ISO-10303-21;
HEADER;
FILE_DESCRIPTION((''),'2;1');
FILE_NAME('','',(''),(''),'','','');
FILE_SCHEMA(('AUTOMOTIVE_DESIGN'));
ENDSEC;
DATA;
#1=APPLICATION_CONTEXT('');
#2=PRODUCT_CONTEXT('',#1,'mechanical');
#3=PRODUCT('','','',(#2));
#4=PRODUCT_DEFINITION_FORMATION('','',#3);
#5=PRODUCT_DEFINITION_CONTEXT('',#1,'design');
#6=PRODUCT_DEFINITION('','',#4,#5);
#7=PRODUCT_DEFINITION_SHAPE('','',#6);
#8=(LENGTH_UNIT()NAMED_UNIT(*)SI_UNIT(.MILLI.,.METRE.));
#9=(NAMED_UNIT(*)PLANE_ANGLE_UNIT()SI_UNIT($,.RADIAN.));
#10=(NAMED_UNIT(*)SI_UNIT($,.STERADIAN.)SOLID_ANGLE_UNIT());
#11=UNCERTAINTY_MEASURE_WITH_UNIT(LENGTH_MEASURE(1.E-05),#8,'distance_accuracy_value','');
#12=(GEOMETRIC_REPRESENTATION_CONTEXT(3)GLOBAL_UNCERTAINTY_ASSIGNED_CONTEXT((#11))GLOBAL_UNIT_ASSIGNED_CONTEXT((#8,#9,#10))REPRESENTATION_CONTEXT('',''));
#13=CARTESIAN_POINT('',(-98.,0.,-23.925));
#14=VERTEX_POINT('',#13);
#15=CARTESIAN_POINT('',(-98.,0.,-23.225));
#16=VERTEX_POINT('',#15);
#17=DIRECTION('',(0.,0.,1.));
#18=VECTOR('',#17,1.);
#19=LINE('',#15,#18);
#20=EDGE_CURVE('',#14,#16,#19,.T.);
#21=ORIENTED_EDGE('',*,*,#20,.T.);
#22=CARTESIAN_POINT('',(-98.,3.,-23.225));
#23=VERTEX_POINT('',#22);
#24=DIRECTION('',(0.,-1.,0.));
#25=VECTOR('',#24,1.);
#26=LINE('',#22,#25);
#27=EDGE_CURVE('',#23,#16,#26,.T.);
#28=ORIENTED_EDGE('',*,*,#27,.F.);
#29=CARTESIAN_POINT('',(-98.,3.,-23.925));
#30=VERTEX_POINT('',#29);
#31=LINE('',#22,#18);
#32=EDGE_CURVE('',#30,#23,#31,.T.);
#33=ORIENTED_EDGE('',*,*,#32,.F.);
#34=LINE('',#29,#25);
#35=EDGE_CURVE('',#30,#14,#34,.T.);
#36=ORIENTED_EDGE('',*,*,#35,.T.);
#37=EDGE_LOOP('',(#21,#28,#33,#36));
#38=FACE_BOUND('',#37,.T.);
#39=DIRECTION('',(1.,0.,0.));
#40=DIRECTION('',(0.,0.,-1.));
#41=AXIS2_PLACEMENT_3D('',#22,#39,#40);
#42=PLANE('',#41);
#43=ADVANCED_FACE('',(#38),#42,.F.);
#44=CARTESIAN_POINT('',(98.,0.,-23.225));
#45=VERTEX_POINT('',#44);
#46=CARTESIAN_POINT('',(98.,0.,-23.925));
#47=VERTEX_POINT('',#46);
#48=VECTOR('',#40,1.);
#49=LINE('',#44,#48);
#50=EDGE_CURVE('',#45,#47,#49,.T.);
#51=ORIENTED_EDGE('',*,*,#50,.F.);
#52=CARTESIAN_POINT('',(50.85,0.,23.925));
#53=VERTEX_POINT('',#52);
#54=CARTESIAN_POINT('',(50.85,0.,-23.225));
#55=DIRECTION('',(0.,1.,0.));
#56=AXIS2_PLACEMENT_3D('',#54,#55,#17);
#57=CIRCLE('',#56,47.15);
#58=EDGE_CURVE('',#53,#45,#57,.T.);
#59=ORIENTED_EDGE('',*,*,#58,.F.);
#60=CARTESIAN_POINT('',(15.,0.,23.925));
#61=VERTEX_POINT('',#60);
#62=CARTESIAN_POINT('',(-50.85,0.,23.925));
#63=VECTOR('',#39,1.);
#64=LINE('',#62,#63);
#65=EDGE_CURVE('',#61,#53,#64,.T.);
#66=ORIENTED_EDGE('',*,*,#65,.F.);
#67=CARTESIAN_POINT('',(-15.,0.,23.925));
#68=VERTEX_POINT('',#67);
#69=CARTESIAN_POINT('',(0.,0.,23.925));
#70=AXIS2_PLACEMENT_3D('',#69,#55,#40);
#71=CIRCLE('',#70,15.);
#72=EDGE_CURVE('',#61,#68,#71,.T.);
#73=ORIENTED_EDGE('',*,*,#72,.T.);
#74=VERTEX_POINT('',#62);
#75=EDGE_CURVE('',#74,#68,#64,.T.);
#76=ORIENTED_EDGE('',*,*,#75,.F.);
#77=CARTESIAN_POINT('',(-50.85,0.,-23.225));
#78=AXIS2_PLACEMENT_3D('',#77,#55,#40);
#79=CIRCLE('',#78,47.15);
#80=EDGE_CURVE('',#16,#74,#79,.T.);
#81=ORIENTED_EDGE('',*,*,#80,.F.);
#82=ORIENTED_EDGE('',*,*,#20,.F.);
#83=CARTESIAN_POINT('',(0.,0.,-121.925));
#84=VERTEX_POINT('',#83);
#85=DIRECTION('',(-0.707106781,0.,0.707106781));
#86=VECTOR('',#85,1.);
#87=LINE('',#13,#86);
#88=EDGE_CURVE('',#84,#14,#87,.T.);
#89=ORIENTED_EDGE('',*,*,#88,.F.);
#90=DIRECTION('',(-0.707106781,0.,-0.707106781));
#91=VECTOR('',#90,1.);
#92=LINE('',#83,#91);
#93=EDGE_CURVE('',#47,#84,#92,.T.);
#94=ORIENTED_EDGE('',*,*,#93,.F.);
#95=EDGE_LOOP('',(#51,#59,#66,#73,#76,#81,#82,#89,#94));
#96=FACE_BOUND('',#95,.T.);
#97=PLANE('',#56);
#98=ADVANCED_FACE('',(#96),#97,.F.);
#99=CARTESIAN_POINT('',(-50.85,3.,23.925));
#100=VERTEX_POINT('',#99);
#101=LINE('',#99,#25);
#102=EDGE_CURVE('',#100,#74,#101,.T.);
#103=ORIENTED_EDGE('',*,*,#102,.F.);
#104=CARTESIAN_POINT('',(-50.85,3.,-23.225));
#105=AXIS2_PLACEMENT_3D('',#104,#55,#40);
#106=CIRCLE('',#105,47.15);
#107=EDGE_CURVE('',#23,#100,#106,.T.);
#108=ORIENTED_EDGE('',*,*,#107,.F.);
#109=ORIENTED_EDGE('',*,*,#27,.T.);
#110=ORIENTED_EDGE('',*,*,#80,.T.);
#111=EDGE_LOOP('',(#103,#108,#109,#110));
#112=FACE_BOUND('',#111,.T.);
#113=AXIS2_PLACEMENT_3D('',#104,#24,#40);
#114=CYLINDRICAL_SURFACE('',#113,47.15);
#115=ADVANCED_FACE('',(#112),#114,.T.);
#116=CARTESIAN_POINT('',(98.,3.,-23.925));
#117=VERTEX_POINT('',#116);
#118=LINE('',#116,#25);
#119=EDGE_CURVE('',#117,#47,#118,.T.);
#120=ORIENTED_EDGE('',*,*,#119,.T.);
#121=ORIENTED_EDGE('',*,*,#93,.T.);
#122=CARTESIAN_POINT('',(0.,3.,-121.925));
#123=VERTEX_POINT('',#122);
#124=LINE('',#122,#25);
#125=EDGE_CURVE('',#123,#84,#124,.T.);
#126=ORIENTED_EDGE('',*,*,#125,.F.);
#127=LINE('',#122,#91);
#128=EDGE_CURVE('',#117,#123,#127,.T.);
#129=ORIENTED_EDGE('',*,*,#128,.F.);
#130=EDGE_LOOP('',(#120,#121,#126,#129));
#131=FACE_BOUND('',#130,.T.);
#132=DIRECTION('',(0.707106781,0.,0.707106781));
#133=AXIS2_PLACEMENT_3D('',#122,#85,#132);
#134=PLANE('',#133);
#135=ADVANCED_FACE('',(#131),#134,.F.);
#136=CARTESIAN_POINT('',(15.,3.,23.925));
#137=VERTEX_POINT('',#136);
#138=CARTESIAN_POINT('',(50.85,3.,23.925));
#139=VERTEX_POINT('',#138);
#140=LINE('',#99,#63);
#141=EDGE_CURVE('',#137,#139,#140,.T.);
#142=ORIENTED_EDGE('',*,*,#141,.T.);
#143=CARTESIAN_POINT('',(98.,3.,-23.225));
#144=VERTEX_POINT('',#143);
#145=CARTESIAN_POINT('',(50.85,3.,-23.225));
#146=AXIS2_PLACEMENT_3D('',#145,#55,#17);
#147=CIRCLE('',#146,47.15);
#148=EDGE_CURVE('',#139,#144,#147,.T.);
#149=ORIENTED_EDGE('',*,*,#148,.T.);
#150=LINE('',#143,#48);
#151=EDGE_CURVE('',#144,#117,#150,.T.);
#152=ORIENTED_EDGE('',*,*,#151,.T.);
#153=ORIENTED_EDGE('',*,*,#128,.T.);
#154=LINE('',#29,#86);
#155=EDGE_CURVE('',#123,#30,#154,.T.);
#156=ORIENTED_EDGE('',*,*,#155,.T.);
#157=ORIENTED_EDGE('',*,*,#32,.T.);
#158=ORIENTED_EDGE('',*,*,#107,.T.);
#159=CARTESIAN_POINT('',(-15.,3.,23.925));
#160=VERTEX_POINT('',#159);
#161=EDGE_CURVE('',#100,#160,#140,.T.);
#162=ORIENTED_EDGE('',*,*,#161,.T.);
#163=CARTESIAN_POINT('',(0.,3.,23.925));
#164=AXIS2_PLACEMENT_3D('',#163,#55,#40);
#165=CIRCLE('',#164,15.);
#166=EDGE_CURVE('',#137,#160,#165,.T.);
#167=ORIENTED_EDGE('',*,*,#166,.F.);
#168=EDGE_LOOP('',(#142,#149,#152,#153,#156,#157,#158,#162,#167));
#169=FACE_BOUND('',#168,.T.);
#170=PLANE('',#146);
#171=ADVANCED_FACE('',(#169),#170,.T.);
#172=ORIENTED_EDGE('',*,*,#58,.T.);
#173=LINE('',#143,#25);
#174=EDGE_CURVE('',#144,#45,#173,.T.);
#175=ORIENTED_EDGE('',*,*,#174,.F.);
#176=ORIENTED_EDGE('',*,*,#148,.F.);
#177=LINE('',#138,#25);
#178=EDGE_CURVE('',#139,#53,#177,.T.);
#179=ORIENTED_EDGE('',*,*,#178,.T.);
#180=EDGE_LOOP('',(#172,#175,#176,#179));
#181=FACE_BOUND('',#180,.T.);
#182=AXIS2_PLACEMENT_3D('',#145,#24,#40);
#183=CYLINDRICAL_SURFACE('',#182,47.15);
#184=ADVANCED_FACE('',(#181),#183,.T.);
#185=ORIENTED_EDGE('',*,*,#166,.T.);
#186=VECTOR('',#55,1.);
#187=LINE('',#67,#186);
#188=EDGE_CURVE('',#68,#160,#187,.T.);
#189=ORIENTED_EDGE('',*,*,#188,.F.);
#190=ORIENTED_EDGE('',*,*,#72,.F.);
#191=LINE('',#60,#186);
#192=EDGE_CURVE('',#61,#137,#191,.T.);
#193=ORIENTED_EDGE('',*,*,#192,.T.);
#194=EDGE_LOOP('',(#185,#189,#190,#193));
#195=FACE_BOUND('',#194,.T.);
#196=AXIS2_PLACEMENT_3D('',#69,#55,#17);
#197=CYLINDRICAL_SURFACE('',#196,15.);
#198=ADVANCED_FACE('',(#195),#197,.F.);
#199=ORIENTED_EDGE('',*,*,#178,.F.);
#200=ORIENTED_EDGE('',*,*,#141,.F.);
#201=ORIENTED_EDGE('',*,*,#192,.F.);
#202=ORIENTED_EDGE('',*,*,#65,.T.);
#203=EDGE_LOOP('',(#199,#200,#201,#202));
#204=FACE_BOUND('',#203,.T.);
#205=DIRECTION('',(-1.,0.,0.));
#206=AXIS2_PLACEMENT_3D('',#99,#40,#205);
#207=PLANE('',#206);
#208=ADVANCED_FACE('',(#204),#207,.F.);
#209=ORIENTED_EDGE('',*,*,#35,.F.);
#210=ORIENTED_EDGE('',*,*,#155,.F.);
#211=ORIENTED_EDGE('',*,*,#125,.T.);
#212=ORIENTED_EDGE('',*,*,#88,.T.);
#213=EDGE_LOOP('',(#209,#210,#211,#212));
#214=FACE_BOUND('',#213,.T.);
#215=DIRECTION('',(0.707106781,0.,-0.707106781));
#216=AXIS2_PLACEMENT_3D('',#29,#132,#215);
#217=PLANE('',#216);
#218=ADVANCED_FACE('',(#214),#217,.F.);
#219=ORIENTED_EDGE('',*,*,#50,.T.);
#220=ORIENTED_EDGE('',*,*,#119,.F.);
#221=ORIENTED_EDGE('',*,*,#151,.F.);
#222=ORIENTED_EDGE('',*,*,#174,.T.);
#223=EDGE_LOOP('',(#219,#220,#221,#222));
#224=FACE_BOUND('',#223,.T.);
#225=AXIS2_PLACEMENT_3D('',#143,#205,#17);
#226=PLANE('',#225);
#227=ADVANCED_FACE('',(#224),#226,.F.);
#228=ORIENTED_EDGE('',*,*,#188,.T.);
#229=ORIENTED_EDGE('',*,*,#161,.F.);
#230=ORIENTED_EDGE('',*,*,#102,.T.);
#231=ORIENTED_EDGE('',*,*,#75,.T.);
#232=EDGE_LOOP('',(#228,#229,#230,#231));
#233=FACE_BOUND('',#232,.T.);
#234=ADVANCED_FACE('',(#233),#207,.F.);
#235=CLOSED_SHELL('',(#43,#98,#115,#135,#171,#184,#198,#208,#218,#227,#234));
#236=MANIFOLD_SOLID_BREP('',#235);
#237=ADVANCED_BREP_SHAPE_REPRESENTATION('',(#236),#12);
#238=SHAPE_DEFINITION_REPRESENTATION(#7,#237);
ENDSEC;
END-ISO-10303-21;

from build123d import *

# Parameters (mm, degrees)
BASIS_DEKSEL_DEPTH = 3
UITSPARING_DEPTH   = 157.456721252


with BuildPart() as part:
    # basis_deksel_schets → basis_deksel (new body)
    with BuildSketch(Plane(origin=(0, 0, 0), x_dir=(1, 0, 0), z_dir=(0, 1, 0))):
        with BuildLine():
            Line((-98, 23.925), (0, 121.925))
            Line((0, 121.925), (98, 23.925))
            Line((98, 23.925), (98, 23.225))
            ThreePointArc((98, 23.225), (84.190084733, -10.115084733), (50.85, -23.925))
            Line((50.85, -23.925), (-50.85, -23.925))
            ThreePointArc((-50.85, -23.925), (-84.190084733, -10.115084733), (-98, 23.225))
            Line((-98, 23.225), (-98, 23.925))
        make_face()
    extrude(amount=BASIS_DEKSEL_DEPTH)

    # uitsparing_schets → uitsparing (cut, through all)
    with BuildSketch(Plane(origin=(0, 3, 0), x_dir=(1, 0, 0), z_dir=(0, 1, 0))):
        with BuildLine():
            Line((-15, -23.925), (15, -23.925))
            ThreePointArc((15, -23.925), (0, -8.925), (-15, -23.925))
        make_face()
    extrude(amount=-UITSPARING_DEPTH, mode=Mode.SUBTRACT)


solid = part.part
